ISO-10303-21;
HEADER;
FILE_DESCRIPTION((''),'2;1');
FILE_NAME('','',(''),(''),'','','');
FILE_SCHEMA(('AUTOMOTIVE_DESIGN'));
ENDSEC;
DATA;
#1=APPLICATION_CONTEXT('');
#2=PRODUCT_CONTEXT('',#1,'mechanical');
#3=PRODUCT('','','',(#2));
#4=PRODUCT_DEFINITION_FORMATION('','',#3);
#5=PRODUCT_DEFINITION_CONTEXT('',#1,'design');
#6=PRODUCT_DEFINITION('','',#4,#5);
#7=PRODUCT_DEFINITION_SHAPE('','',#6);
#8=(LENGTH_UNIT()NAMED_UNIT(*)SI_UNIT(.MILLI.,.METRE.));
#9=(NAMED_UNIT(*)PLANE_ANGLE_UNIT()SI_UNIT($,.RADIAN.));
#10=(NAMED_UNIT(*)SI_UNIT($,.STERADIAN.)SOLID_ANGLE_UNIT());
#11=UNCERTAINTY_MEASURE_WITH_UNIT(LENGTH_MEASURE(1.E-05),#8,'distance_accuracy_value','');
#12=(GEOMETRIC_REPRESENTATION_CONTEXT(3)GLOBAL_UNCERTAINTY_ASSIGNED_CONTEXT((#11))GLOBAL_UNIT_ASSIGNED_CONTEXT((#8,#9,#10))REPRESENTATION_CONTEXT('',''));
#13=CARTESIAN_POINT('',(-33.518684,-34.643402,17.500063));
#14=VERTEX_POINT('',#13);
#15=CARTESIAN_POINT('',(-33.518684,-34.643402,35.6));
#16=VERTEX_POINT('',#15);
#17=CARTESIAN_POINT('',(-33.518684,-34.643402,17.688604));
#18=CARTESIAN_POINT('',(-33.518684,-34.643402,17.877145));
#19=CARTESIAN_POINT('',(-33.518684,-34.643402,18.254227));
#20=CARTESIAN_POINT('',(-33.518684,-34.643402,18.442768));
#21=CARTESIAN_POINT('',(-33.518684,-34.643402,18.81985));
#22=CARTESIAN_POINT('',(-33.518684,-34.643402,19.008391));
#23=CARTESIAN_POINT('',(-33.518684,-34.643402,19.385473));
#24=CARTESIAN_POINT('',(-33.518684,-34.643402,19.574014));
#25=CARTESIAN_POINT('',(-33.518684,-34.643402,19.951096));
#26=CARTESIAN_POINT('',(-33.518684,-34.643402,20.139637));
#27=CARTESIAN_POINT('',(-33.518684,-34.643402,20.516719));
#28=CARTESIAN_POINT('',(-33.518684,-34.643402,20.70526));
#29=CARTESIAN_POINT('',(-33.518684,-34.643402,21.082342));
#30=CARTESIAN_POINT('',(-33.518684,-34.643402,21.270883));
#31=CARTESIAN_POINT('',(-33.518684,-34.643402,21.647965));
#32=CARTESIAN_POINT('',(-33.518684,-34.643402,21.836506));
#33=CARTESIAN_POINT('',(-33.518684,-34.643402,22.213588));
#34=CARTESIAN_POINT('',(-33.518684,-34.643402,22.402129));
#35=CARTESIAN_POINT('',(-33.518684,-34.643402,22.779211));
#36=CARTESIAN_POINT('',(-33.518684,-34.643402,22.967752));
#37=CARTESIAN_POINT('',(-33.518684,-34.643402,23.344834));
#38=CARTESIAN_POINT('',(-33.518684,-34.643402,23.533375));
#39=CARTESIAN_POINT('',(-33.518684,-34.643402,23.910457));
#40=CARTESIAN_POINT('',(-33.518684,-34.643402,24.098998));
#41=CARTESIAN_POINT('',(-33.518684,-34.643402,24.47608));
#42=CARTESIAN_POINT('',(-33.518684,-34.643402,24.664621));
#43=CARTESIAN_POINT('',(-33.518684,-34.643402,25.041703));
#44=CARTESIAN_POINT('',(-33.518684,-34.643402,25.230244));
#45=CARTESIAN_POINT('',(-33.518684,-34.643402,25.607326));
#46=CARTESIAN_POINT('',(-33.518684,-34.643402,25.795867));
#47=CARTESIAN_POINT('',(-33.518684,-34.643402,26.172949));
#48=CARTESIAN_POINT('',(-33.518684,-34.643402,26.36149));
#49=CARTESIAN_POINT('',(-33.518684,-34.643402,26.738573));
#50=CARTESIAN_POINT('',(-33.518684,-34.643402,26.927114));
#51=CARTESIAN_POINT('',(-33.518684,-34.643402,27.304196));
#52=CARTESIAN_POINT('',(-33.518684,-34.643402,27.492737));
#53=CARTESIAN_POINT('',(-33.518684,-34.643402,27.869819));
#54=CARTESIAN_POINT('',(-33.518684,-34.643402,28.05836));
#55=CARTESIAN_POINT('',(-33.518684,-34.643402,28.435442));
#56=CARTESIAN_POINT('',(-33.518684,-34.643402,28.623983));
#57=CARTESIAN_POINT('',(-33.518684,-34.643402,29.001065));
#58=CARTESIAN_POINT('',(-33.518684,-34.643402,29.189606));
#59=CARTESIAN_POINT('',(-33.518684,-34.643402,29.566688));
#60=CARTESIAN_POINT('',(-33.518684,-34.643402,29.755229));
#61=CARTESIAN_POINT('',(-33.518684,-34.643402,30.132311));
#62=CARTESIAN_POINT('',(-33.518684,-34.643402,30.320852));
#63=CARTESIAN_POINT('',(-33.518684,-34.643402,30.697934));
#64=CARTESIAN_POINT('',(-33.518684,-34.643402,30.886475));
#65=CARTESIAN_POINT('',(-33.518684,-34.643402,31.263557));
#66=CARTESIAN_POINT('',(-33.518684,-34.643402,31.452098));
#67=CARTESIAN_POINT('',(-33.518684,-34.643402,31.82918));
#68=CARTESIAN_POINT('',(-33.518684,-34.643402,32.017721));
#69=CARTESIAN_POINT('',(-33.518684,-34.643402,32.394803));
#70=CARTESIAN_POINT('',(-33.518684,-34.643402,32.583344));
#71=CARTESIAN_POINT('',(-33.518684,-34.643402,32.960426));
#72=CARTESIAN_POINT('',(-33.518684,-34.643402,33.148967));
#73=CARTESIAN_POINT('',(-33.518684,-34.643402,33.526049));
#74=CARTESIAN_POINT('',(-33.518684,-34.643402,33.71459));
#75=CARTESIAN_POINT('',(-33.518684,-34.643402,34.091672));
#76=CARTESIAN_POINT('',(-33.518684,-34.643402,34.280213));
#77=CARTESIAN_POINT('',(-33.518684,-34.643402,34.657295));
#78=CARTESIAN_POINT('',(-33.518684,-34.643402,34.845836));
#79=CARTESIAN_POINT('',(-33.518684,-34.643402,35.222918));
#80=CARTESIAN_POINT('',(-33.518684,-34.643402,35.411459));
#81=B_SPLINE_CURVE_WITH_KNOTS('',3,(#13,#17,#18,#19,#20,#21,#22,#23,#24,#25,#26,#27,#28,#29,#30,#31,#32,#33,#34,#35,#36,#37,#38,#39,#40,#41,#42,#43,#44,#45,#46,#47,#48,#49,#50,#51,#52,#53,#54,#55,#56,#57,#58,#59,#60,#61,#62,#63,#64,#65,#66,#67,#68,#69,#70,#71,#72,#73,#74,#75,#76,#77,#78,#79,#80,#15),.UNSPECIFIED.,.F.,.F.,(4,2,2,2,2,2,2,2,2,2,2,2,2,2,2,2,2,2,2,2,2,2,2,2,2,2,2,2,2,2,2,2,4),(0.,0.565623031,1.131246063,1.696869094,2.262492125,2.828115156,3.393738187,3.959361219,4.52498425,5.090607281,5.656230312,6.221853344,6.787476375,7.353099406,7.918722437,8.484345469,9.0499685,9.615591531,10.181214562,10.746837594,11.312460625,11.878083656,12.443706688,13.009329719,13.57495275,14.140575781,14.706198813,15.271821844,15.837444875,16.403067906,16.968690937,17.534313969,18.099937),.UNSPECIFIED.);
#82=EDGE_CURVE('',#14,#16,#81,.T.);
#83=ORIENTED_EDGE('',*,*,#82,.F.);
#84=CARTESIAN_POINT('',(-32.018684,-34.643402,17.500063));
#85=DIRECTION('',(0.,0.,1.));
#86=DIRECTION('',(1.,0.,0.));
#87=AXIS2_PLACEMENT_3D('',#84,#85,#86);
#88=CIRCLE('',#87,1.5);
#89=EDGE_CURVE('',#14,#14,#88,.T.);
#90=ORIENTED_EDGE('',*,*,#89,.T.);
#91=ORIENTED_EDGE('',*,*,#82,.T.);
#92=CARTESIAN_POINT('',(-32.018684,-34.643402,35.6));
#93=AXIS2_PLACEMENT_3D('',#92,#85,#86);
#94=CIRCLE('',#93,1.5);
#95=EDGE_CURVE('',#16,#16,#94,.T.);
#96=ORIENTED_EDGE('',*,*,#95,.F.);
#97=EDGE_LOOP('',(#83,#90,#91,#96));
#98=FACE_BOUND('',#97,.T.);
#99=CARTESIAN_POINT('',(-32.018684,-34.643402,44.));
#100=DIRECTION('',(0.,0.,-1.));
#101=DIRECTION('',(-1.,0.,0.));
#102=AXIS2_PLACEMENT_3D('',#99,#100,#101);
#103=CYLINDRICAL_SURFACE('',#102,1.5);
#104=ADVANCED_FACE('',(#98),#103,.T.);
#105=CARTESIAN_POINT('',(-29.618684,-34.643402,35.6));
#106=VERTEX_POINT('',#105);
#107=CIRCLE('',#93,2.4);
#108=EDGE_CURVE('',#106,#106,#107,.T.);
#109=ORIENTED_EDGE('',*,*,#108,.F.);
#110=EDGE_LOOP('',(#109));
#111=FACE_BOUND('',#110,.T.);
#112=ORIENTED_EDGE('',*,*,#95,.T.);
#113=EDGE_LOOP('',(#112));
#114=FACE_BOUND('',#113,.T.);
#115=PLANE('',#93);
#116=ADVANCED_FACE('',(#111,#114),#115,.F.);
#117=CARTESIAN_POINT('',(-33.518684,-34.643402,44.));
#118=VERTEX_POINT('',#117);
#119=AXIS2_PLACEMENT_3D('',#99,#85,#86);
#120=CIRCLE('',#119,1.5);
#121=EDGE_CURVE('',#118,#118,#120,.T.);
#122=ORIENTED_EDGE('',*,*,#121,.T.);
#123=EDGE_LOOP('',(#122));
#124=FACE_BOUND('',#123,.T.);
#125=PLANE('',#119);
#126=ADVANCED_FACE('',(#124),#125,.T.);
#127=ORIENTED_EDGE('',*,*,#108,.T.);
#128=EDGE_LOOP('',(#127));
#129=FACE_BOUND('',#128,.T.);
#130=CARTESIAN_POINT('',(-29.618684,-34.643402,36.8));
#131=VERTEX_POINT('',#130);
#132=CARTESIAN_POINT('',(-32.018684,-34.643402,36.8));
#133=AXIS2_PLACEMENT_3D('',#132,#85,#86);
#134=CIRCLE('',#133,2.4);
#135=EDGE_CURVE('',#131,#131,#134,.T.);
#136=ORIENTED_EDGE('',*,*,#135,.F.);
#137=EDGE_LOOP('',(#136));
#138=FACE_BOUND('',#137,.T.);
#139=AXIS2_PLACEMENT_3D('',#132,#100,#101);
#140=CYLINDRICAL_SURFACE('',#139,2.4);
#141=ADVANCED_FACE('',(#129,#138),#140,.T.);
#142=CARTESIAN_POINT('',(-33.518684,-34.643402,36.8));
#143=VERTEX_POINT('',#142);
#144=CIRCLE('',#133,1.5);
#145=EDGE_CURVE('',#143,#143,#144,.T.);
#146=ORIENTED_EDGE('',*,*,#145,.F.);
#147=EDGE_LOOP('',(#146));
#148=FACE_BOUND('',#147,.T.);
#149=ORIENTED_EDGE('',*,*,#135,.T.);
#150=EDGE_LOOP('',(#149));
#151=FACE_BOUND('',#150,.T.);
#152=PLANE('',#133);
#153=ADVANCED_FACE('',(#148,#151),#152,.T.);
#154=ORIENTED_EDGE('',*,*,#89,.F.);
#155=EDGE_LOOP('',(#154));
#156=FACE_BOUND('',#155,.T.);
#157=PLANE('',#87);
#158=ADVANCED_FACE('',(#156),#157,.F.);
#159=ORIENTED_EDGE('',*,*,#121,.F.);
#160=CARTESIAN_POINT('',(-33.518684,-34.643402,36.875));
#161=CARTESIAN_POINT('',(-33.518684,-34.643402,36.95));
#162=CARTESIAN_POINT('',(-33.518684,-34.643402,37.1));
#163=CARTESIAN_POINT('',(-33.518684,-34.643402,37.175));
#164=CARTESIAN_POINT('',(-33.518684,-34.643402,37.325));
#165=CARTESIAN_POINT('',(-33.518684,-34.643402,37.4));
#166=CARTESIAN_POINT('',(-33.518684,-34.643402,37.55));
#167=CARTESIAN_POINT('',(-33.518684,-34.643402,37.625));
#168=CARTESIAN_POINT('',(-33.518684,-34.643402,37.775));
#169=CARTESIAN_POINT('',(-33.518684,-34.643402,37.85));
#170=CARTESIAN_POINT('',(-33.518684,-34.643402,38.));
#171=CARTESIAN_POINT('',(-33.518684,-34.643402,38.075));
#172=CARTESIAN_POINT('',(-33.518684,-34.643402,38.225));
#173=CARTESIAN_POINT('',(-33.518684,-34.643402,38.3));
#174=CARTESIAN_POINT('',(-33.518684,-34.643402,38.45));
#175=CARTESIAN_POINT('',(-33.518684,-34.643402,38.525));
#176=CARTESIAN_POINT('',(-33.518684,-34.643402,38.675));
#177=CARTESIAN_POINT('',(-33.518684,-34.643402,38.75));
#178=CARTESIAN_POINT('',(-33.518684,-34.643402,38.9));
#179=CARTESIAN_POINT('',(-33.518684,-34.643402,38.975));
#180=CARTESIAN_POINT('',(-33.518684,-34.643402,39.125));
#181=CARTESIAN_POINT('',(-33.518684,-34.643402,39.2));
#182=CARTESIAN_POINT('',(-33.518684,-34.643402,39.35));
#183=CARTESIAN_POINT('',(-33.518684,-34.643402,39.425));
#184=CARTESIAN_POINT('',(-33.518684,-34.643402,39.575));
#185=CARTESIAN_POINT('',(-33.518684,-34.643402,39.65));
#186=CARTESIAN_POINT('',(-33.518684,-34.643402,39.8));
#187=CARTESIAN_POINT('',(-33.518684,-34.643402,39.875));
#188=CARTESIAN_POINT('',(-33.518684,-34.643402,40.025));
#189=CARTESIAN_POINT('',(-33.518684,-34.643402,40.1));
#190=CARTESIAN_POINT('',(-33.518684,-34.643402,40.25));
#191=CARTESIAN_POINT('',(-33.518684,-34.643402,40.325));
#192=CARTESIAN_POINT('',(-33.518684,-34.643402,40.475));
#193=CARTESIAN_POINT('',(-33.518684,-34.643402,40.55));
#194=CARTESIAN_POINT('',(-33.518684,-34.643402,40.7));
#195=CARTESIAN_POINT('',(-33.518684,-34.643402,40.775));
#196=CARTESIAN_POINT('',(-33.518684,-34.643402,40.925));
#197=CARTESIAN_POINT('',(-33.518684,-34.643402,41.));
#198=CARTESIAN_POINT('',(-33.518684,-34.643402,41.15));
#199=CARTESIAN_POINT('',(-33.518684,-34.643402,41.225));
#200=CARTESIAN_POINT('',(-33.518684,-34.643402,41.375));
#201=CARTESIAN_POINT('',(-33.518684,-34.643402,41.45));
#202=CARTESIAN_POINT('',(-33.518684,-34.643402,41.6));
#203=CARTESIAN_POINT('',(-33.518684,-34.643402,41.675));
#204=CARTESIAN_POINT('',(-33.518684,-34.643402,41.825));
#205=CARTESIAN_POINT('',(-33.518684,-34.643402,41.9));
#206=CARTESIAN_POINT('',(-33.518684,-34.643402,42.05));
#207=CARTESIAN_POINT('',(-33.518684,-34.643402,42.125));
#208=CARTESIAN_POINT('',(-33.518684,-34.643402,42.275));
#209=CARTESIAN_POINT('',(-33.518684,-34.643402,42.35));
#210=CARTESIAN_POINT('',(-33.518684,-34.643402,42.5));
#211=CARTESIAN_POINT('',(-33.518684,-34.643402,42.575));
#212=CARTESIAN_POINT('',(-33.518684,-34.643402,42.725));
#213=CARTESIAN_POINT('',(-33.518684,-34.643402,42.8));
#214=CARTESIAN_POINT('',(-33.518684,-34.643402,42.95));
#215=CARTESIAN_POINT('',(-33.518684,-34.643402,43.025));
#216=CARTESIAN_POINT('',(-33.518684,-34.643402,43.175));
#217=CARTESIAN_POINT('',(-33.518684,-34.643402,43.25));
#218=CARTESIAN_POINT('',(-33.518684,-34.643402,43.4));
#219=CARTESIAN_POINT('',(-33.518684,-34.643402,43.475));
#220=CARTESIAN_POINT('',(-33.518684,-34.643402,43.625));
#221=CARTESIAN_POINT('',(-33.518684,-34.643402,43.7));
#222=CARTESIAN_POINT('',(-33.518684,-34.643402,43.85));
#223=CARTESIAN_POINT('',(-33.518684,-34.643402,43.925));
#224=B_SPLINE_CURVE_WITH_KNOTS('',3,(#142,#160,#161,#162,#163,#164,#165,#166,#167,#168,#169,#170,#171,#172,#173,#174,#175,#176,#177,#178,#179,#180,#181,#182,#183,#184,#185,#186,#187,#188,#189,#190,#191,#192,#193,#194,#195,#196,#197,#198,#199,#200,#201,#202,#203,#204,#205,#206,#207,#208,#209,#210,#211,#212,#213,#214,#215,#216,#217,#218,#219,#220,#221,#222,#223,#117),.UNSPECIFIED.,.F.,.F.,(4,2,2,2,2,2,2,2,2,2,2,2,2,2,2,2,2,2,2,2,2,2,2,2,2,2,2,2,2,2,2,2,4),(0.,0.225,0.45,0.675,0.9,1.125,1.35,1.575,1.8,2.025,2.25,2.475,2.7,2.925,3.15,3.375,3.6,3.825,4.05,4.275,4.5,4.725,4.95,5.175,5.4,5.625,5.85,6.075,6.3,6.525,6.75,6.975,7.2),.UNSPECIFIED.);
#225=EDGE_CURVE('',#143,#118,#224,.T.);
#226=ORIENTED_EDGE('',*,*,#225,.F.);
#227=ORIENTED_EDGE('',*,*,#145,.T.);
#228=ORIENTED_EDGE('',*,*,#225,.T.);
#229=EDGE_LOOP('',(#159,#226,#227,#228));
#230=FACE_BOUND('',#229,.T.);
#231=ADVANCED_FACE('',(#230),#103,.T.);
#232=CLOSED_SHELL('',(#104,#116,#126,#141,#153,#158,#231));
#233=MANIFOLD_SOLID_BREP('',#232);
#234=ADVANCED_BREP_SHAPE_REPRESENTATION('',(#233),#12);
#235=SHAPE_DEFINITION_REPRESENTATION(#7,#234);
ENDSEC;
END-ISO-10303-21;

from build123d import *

# Parameters (mm, degrees)
PLUNGER_STEM_START     = 17.500063
SKETCH1_R              = 1.5
PLUNGER_STEM_DEPTH     = 26.499937
CAPTIVE_SHOULDER_START = 35.6
SKETCH2_R              = 2.4
CAPTIVE_SHOULDER_DEPTH = 1.2


with BuildPart() as part:
    # Sketch1 → Plunger_stem (new body)
    with BuildSketch(Plane.XY.offset(PLUNGER_STEM_START)):
        with Locations((-32.018684277, -34.643402341)):
            Circle(SKETCH1_R)
    extrude(amount=PLUNGER_STEM_DEPTH)

    # Sketch2 → Captive_shoulder (add)
    with BuildSketch(Plane.XY.offset(CAPTIVE_SHOULDER_START)):
        with Locations((-32.018684277, -34.643402341)):
            Circle(SKETCH2_R)
    extrude(amount=CAPTIVE_SHOULDER_DEPTH)


solid = part.part
